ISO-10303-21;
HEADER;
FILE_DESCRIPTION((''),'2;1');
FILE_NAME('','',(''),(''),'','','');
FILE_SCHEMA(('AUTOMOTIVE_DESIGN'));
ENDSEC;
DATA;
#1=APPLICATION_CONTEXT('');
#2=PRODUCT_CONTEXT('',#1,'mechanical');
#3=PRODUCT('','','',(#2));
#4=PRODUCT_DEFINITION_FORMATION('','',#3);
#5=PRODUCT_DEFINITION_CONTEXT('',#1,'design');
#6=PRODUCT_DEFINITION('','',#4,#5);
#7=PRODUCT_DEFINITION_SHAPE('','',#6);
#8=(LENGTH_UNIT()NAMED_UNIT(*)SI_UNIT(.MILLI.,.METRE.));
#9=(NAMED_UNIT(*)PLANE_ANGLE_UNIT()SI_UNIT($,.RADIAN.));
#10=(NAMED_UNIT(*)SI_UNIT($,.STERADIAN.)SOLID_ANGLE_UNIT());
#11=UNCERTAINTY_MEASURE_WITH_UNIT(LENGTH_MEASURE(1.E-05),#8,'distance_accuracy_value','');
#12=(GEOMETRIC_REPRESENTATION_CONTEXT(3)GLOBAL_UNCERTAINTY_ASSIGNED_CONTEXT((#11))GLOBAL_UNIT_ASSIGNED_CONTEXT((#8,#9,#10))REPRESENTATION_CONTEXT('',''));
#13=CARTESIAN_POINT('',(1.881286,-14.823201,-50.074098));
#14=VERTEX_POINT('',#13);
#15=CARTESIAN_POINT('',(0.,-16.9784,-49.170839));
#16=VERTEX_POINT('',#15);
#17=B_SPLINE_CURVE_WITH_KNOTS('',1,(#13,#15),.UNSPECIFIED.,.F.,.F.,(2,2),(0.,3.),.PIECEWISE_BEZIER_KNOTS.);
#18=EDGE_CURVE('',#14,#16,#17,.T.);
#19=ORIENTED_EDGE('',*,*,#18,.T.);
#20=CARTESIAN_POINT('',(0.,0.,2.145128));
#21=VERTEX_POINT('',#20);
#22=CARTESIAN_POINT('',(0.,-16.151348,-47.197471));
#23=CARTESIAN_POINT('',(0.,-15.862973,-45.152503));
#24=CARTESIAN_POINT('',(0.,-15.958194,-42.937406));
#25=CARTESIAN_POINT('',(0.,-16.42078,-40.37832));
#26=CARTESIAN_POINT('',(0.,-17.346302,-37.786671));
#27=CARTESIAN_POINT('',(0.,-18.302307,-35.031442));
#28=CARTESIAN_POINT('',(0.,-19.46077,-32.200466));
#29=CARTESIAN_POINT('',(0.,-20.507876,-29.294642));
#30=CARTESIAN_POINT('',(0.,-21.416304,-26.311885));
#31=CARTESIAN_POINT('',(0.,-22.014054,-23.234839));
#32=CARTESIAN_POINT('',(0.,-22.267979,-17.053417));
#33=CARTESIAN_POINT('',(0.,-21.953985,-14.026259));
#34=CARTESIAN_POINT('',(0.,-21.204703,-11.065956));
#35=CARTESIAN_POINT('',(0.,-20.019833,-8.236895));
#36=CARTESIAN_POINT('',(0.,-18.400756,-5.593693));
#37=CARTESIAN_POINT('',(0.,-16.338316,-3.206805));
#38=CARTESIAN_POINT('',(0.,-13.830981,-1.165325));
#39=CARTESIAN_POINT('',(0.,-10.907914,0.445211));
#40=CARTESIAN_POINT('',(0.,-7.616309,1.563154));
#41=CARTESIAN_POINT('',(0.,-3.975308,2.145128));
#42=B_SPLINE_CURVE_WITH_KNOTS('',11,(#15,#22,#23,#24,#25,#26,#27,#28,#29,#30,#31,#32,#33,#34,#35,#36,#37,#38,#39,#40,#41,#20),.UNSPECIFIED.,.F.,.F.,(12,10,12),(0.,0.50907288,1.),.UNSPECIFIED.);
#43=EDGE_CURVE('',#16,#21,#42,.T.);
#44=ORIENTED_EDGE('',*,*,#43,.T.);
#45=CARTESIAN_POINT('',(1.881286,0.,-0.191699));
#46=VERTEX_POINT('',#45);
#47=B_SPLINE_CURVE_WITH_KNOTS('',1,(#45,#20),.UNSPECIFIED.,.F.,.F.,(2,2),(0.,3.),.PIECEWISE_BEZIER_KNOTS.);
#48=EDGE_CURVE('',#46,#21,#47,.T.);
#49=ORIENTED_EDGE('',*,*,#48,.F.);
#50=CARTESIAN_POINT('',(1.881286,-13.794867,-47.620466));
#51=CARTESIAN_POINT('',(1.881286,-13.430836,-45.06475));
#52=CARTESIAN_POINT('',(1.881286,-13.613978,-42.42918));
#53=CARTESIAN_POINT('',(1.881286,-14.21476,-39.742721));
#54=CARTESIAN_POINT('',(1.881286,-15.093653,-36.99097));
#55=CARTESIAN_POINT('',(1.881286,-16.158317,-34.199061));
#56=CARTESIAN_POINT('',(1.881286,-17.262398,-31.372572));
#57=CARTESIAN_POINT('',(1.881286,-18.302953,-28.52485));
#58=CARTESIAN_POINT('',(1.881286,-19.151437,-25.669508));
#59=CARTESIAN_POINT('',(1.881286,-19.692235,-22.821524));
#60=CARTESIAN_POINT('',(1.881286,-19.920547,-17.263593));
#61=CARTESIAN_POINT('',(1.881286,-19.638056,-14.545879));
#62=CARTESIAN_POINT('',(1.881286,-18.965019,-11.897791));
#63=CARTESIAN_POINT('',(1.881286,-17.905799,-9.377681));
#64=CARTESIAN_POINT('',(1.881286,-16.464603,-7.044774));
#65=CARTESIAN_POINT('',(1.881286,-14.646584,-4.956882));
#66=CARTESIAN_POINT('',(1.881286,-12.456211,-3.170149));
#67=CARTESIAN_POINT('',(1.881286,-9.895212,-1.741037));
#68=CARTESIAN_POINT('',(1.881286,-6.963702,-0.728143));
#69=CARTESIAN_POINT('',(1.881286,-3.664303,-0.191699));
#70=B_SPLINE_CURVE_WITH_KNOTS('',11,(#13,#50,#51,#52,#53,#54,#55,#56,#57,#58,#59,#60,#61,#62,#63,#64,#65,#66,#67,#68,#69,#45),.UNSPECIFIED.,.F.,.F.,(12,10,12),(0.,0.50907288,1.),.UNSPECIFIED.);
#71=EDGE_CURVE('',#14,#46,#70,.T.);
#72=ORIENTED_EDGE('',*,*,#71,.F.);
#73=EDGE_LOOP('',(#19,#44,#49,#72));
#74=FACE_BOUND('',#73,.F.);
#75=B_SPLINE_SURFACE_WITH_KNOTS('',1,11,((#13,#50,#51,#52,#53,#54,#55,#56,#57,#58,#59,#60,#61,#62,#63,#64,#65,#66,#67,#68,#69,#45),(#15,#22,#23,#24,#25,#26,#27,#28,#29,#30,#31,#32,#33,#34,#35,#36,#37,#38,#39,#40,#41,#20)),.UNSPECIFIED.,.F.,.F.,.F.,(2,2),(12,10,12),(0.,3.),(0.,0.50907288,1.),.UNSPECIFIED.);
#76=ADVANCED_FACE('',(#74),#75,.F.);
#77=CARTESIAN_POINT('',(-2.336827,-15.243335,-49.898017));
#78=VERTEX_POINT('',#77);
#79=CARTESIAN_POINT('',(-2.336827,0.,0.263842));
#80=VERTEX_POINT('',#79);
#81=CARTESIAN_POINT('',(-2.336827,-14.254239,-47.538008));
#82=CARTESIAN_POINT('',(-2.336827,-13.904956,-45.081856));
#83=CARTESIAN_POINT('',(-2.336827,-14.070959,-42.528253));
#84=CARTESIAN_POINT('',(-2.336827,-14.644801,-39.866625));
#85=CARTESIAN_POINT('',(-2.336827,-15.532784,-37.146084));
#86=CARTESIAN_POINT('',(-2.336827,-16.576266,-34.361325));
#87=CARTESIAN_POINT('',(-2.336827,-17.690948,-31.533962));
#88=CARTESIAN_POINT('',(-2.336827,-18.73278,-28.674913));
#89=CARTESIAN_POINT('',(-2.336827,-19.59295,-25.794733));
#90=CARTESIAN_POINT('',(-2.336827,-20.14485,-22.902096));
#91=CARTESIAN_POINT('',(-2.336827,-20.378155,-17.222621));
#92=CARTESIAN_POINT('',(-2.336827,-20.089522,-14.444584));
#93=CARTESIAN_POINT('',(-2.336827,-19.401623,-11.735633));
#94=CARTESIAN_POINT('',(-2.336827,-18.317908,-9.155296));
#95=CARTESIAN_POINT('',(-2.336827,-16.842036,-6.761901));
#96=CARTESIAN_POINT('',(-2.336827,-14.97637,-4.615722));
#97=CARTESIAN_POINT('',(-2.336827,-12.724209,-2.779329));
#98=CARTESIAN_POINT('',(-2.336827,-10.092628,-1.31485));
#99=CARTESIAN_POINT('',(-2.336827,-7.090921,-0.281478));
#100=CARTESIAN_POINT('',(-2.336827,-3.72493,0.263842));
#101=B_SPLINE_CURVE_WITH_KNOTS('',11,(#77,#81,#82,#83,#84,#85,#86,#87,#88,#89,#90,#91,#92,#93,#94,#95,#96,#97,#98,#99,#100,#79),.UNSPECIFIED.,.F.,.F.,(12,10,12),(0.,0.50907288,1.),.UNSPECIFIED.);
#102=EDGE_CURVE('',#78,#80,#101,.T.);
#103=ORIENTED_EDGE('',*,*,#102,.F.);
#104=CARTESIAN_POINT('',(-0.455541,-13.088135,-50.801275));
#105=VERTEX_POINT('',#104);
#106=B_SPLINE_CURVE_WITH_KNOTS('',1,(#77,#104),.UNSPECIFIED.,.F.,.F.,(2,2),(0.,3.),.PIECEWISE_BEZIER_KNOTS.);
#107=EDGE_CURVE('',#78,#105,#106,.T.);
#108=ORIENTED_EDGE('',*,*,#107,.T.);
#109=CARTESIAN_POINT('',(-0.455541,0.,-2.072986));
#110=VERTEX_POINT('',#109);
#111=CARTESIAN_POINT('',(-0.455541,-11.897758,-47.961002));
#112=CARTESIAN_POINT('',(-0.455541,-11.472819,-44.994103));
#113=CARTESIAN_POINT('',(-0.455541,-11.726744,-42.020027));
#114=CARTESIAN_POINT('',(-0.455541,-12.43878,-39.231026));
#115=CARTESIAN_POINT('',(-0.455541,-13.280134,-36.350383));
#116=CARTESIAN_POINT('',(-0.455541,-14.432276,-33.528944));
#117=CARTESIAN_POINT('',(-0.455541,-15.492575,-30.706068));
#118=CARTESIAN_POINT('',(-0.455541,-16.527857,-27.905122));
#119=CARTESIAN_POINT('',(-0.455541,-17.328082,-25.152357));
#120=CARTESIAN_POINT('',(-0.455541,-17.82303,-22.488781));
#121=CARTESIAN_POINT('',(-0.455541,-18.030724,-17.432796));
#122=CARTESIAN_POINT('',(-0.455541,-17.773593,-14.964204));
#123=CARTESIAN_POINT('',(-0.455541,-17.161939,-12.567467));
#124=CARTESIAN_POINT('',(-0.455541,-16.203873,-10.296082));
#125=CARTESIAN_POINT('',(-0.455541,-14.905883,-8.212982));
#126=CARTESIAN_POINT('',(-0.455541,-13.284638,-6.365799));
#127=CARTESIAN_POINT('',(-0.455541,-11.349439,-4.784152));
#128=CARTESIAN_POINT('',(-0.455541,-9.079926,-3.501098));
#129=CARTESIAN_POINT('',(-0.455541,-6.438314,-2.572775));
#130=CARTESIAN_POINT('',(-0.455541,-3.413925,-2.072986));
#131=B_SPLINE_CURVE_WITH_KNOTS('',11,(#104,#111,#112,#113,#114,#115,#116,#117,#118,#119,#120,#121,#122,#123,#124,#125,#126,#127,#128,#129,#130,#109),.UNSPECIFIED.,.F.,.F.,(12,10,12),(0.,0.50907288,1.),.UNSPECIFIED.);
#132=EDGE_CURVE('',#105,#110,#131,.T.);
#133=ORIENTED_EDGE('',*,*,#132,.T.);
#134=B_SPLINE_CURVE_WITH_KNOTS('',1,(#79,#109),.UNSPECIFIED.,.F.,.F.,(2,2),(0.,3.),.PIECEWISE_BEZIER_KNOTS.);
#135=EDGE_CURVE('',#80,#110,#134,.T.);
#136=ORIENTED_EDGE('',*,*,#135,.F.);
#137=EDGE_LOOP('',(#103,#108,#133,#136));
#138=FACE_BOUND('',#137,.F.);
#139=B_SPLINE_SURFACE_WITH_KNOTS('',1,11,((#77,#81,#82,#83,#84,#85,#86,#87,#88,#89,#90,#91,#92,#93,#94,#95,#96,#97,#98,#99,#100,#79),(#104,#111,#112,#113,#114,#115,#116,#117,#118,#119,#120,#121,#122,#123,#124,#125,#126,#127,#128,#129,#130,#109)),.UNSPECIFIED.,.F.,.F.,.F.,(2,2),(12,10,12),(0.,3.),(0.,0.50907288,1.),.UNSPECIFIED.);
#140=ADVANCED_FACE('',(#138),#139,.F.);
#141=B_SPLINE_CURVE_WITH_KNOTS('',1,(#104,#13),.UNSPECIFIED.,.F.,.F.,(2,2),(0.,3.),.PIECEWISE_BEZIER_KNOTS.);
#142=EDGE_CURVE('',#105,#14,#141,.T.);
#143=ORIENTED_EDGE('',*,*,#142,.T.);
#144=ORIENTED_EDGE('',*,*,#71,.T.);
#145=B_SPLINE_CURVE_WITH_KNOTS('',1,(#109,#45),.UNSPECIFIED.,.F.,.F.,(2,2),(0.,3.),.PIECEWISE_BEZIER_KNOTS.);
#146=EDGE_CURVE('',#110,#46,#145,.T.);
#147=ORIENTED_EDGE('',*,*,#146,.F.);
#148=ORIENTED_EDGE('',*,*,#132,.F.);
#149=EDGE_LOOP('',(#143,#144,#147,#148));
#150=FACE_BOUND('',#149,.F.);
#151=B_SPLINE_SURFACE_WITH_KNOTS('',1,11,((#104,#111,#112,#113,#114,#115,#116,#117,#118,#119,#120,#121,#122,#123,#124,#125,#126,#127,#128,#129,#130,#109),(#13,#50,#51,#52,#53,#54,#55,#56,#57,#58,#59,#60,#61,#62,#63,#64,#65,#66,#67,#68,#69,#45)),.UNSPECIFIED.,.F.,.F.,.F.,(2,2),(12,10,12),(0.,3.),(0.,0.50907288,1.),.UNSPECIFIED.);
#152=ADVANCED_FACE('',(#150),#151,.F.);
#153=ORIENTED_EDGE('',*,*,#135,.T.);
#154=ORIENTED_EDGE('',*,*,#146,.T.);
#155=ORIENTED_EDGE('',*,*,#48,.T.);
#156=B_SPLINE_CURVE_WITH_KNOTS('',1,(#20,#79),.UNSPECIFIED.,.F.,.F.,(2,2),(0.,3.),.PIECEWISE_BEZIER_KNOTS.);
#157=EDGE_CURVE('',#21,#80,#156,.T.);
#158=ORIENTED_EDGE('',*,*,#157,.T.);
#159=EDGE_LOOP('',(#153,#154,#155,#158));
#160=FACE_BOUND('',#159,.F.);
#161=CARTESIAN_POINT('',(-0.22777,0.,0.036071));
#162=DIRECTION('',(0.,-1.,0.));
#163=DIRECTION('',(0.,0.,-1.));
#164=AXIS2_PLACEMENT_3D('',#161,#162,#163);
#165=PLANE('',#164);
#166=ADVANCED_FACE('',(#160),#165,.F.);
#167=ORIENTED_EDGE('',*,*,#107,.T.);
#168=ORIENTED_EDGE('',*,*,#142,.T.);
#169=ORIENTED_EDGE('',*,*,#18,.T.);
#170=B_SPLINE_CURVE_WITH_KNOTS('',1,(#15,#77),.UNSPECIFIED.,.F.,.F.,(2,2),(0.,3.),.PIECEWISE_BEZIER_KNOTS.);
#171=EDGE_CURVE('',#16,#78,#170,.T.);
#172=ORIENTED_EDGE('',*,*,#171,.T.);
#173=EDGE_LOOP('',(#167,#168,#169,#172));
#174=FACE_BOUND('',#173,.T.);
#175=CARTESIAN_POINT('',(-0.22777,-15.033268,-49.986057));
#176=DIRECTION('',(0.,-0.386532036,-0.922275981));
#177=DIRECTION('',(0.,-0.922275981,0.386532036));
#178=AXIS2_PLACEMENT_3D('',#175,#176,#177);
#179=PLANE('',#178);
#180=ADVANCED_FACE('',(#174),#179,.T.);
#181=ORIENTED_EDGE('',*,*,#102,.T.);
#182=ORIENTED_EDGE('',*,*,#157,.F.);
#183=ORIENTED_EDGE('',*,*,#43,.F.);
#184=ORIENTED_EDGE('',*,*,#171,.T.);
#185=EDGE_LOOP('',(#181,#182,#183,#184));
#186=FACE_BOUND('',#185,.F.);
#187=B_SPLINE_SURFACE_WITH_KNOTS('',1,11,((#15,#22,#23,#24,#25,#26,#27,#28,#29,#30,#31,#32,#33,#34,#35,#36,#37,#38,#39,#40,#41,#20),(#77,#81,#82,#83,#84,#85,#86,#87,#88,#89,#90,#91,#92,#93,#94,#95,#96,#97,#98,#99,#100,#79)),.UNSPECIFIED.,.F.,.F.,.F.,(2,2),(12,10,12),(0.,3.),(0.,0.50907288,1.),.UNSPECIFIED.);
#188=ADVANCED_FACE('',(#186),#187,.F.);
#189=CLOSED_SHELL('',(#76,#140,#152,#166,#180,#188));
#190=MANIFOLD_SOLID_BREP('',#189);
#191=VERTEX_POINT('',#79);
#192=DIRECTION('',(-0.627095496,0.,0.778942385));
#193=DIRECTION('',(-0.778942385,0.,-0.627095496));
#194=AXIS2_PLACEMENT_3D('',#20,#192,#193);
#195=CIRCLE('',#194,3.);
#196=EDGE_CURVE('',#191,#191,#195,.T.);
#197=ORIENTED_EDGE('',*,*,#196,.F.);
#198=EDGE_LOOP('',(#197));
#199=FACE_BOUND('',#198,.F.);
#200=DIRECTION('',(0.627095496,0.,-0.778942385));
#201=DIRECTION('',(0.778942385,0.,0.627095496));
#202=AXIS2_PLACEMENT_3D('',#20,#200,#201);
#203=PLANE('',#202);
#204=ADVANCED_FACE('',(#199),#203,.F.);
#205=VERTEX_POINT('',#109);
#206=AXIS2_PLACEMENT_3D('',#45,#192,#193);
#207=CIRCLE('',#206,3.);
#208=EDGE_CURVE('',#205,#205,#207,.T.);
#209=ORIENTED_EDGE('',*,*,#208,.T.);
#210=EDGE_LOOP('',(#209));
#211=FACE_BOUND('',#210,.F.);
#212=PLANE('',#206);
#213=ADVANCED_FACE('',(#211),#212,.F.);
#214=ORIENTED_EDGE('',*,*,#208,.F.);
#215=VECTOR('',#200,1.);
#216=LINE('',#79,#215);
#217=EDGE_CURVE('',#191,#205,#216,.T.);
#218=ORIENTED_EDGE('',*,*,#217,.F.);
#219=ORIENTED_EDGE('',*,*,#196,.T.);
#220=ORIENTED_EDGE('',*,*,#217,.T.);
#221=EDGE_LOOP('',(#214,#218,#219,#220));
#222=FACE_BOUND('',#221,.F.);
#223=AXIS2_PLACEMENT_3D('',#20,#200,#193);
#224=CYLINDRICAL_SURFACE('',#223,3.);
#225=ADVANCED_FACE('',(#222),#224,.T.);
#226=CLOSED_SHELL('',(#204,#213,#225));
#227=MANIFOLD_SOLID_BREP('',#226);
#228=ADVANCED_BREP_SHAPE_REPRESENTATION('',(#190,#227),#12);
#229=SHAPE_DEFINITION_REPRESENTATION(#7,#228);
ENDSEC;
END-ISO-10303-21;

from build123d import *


with BuildPart() as f2:
    # F2: sweep along a path in F0
    with BuildLine(Plane.YZ) as f2_path:
        add(Plane.YZ * Edge.make_bspline(
            [(-15, -50), (-11.2899877131, -41.1478094757), (-27.5546960036, -20.1726213757), (-13.5293249041, 0), (0, 0)],
            knots=[0, 0, 0, 0, 0.5090728796, 1, 1, 1, 1], degree=3))
    # F1 (on Front) → F2 (sweep)
    with BuildSketch(Plane.XZ):
        Polygon((-2.3368271547, 0.263841604), (-0.4555406668, -2.0729855507), (1.8812864878, -0.1916990629), (0, 2.1451280918), align=None)
    sweep(path=f2_path.line)


with BuildPart() as f3:
    # F1 (on Front) → F3 (revolve)
    with BuildSketch(Plane.XZ):
        Polygon((-2.3368271547, 0.263841604), (-0.4555406668, -2.0729855507), (1.8812864878, -0.1916990629), (0, 2.1451280918), align=None)
    revolve(axis=Axis((0.9406432439, 0, 0.9767145145), (-0.6270954959, 0, 0.7789423849)))


solid = Compound([f2.part, f3.part])
